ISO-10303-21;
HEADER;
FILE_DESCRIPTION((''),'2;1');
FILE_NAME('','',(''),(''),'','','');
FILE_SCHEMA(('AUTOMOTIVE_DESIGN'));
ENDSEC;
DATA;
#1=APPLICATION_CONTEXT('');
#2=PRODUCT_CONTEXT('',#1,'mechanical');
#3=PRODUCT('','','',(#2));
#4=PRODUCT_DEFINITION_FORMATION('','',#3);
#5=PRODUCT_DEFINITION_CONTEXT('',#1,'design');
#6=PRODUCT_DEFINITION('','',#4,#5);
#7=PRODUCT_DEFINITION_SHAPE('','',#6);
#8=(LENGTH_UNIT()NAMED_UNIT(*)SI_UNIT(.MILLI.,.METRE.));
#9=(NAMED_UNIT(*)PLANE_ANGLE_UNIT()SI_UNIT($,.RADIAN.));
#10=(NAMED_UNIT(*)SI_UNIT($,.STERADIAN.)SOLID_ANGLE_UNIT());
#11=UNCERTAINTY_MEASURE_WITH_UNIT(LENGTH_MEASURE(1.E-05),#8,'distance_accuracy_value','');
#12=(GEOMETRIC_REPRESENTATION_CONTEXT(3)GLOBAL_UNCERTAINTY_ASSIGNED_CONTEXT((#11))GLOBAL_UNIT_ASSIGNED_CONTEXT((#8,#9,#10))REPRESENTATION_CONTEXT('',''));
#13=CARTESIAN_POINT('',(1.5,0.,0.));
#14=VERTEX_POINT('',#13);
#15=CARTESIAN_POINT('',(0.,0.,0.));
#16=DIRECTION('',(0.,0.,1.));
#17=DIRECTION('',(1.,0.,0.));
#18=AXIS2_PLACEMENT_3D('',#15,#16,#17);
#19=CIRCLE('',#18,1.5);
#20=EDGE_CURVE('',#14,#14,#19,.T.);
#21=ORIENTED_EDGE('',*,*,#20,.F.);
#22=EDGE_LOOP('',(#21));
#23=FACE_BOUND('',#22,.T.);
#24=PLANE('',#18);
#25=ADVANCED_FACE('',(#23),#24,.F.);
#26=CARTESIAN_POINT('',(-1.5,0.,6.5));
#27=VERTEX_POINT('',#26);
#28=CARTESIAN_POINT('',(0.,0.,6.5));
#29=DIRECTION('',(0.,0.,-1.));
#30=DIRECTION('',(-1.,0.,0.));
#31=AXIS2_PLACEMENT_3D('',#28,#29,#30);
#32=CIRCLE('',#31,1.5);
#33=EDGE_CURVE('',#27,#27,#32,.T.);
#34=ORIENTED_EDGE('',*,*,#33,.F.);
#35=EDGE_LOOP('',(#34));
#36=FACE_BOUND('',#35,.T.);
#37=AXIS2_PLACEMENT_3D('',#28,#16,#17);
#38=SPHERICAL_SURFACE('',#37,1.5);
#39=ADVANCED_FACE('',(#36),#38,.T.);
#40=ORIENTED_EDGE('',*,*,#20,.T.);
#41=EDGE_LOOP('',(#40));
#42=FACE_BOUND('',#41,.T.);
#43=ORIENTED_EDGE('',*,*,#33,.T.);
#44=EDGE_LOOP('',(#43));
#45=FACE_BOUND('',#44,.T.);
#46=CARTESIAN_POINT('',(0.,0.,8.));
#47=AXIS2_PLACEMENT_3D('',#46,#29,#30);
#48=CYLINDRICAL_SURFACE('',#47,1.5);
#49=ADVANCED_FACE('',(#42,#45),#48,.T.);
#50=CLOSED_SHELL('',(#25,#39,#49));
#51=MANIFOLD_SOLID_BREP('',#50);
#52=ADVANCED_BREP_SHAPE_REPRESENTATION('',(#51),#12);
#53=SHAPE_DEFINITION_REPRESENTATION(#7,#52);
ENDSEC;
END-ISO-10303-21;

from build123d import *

# Parameters (mm, degrees)
SKETCH_1_R      = 1.5
EXTRUDE_1_DEPTH = 8
FILLET_1_R      = 1.5


with BuildPart() as part:
    # 草图1 → 凸台-拉伸1 (new body)
    with BuildSketch(Plane.XY):
        Circle(SKETCH_1_R)
    extrude(amount=EXTRUDE_1_DEPTH)

    # 圆角1
    fillet_1_edges = [part.edges().sort_by_distance(p)[0] for p in [
        (-1.5, 0, 8),
    ]]
    fillet(fillet_1_edges, radius=FILLET_1_R)


solid = part.part
